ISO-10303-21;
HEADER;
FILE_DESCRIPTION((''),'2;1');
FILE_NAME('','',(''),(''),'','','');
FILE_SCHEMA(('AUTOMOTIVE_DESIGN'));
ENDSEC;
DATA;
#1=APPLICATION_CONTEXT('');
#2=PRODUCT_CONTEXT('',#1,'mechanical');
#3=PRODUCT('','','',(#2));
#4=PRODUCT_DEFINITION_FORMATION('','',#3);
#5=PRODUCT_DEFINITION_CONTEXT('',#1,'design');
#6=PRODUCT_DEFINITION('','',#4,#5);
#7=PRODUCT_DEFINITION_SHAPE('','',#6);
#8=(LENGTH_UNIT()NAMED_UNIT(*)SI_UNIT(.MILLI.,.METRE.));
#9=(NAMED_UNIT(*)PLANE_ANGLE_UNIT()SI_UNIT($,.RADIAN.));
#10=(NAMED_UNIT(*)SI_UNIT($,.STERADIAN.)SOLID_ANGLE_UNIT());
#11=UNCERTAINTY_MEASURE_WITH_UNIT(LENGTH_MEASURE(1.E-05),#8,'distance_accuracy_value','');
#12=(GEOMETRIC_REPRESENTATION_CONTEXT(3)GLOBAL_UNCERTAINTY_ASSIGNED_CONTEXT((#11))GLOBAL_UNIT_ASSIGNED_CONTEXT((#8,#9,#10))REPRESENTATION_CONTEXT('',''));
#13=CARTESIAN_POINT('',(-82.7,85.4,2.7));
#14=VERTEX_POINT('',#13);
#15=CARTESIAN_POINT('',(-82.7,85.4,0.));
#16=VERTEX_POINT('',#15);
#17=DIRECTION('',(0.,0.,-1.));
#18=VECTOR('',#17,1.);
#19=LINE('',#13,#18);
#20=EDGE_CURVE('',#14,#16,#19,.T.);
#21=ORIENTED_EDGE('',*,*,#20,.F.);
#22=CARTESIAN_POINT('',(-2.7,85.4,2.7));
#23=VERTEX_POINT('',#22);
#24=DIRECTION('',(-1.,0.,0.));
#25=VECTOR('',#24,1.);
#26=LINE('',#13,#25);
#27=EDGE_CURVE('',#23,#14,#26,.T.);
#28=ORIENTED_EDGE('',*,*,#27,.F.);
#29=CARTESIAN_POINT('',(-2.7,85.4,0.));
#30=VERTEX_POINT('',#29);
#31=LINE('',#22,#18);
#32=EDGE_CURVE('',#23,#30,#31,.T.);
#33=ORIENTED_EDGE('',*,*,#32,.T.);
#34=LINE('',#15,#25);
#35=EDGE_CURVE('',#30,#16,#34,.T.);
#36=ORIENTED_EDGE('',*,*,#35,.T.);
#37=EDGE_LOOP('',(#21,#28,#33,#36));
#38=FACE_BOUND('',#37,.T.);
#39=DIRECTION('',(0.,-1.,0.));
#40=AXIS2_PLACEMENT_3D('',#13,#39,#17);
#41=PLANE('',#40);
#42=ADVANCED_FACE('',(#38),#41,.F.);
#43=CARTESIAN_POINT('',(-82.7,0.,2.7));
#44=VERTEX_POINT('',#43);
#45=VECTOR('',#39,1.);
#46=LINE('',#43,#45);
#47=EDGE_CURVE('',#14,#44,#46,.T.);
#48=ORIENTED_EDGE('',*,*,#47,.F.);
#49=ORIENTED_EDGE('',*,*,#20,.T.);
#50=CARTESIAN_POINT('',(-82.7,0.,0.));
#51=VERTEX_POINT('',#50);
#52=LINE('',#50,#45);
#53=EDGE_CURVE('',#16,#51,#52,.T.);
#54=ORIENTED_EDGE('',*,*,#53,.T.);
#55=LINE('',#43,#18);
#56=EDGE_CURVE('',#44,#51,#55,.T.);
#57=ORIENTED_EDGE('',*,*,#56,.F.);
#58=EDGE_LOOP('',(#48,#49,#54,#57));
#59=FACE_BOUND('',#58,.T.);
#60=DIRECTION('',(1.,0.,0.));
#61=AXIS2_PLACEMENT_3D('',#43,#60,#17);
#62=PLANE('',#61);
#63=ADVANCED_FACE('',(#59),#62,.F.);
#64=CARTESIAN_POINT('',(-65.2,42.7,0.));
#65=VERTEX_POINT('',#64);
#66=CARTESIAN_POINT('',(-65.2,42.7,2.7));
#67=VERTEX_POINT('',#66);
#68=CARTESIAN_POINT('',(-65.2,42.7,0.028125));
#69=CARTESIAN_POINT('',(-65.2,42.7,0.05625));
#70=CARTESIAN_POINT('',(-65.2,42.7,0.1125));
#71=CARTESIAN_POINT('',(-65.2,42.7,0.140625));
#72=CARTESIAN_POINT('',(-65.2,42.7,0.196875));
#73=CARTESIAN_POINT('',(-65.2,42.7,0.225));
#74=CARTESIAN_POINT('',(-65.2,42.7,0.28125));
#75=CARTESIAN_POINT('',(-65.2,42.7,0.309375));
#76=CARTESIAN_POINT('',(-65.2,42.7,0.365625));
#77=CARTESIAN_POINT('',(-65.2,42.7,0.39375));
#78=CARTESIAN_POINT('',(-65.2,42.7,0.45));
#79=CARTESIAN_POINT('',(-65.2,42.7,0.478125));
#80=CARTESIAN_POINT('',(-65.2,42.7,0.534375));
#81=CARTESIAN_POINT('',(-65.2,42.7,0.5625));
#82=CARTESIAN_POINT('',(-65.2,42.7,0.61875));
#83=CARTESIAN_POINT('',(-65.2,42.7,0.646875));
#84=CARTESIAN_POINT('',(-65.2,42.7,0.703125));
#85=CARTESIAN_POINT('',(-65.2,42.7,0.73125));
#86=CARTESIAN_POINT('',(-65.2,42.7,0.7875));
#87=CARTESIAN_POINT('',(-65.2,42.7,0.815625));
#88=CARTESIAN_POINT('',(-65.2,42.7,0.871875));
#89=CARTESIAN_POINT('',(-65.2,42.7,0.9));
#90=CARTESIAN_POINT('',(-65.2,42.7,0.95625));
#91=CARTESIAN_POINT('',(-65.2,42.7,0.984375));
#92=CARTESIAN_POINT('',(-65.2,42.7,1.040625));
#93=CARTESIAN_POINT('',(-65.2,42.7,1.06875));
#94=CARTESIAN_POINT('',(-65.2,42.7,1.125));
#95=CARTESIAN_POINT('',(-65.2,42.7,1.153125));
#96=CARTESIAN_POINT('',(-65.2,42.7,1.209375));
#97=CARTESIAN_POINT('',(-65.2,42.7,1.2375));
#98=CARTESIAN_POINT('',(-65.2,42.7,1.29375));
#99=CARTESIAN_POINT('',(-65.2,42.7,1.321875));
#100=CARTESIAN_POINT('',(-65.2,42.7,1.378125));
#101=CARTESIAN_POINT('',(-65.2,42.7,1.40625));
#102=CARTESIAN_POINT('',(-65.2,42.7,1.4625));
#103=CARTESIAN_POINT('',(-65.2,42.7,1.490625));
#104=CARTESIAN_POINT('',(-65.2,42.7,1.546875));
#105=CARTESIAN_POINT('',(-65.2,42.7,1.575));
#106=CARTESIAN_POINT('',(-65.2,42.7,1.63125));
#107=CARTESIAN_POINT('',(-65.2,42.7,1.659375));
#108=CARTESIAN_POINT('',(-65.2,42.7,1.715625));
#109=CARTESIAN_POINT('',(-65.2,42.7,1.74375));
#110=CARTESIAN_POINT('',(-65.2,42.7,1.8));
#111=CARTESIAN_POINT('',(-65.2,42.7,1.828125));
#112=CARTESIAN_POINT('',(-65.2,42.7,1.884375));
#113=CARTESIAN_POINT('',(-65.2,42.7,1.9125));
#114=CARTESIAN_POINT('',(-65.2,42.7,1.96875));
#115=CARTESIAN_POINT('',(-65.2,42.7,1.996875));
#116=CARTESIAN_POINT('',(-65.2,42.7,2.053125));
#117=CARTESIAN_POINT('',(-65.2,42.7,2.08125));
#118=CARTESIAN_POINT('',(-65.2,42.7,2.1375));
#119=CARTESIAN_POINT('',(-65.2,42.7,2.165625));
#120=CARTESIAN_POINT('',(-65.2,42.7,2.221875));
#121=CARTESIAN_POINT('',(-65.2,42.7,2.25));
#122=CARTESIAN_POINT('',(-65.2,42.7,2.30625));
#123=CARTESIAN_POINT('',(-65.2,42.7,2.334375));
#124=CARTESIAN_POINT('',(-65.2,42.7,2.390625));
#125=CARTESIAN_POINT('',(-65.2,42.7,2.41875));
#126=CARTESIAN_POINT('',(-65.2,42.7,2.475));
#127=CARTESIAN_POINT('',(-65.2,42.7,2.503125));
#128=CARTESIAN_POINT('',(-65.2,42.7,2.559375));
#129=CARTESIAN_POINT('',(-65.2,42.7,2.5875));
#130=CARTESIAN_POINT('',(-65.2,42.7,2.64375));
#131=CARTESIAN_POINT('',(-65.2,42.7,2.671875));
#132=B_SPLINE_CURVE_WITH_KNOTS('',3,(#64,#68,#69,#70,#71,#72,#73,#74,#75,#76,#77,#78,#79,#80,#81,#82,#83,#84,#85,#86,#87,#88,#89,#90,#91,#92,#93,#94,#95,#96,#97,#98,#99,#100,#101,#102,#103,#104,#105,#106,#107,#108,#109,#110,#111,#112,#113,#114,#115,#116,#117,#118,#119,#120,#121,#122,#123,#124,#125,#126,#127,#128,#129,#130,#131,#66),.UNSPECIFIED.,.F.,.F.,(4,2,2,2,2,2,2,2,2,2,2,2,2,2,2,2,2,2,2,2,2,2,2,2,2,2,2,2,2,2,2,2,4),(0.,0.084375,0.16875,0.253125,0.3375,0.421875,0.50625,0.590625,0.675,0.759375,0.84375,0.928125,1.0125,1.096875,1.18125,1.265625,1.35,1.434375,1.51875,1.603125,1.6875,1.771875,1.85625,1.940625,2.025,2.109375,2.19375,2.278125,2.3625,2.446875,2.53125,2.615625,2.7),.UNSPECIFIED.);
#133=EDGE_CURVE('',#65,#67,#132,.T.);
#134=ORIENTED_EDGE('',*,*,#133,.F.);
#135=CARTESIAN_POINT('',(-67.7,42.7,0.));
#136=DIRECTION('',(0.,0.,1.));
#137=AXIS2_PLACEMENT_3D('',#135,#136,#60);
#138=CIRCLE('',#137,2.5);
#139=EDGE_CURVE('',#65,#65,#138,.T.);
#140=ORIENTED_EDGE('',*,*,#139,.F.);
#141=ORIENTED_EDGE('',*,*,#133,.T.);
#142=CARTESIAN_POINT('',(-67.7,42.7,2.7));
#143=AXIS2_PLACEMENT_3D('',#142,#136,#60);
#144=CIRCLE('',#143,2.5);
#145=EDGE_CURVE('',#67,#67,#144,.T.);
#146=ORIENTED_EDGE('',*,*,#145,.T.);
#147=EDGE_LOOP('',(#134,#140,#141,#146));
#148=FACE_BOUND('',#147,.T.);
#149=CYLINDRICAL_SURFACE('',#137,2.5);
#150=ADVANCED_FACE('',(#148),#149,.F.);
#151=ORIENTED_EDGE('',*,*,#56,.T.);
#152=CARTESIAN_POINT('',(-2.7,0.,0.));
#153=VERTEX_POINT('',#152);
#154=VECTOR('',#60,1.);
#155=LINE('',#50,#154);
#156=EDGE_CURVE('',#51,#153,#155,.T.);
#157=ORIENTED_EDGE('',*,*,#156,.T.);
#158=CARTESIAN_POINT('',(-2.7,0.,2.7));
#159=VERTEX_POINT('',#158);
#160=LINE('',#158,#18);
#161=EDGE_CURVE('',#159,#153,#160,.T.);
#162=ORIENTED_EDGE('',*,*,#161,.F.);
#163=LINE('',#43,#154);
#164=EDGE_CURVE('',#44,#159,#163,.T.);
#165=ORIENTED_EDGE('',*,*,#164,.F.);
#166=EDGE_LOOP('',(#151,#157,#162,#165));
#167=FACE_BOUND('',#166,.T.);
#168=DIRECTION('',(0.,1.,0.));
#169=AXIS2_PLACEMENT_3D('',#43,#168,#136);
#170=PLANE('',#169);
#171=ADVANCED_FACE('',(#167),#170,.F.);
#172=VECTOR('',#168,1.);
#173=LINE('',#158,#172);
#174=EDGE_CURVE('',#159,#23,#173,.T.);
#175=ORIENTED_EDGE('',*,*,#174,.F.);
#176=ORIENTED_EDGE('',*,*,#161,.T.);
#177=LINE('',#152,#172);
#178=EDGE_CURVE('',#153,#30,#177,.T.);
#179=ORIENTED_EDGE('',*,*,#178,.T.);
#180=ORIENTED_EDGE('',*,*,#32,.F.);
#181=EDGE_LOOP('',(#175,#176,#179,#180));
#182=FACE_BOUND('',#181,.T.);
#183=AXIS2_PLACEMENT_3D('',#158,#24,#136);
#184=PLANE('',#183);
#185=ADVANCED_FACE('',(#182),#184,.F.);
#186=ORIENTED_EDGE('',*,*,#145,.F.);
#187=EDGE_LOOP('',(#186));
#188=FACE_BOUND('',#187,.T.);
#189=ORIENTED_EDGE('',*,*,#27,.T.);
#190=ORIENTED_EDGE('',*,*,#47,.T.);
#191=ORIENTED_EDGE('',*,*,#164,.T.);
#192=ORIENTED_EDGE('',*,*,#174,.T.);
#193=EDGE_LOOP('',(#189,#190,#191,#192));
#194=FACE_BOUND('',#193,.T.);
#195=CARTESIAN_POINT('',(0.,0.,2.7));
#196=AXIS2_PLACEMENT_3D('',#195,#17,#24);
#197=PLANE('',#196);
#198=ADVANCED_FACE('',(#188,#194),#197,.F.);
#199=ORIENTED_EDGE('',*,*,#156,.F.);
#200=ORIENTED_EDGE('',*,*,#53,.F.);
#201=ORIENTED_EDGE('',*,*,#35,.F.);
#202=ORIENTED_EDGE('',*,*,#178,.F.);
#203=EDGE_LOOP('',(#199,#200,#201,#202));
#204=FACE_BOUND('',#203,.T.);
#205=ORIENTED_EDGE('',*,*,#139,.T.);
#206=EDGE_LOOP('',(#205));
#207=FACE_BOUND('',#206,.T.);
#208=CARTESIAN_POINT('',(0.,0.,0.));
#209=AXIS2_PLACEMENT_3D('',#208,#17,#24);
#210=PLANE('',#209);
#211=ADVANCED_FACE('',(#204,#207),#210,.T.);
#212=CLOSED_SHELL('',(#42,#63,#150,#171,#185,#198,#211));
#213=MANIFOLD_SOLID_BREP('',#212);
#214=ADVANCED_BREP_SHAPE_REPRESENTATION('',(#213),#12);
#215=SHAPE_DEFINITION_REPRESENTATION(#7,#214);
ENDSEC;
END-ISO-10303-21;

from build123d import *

# Parameters (mm, degrees)
CROQUIS1_W              = 80
CROQUIS1_H              = 85.4
SALIENTE_EXTRUIR1_DEPTH = 2.7
CROQUIS2_R              = 2.5
CORTAR_EXTRUIR1_DEPTH   = 2.7


with BuildPart() as part:
    # Croquis1 → Saliente-Extruir1 (new body)
    with BuildSketch(Plane.XY):
        with Locations((-42.7, 42.7)):
            Rectangle(CROQUIS1_W, CROQUIS1_H)
    extrude(amount=SALIENTE_EXTRUIR1_DEPTH)

    # Croquis2 → Cortar-Extruir1 (cut)
    with BuildSketch(Plane.XY.offset(2.7)):
        with Locations((-67.7, 42.7)):
            Circle(CROQUIS2_R)
    extrude(amount=-CORTAR_EXTRUIR1_DEPTH, mode=Mode.SUBTRACT)


solid = part.part
